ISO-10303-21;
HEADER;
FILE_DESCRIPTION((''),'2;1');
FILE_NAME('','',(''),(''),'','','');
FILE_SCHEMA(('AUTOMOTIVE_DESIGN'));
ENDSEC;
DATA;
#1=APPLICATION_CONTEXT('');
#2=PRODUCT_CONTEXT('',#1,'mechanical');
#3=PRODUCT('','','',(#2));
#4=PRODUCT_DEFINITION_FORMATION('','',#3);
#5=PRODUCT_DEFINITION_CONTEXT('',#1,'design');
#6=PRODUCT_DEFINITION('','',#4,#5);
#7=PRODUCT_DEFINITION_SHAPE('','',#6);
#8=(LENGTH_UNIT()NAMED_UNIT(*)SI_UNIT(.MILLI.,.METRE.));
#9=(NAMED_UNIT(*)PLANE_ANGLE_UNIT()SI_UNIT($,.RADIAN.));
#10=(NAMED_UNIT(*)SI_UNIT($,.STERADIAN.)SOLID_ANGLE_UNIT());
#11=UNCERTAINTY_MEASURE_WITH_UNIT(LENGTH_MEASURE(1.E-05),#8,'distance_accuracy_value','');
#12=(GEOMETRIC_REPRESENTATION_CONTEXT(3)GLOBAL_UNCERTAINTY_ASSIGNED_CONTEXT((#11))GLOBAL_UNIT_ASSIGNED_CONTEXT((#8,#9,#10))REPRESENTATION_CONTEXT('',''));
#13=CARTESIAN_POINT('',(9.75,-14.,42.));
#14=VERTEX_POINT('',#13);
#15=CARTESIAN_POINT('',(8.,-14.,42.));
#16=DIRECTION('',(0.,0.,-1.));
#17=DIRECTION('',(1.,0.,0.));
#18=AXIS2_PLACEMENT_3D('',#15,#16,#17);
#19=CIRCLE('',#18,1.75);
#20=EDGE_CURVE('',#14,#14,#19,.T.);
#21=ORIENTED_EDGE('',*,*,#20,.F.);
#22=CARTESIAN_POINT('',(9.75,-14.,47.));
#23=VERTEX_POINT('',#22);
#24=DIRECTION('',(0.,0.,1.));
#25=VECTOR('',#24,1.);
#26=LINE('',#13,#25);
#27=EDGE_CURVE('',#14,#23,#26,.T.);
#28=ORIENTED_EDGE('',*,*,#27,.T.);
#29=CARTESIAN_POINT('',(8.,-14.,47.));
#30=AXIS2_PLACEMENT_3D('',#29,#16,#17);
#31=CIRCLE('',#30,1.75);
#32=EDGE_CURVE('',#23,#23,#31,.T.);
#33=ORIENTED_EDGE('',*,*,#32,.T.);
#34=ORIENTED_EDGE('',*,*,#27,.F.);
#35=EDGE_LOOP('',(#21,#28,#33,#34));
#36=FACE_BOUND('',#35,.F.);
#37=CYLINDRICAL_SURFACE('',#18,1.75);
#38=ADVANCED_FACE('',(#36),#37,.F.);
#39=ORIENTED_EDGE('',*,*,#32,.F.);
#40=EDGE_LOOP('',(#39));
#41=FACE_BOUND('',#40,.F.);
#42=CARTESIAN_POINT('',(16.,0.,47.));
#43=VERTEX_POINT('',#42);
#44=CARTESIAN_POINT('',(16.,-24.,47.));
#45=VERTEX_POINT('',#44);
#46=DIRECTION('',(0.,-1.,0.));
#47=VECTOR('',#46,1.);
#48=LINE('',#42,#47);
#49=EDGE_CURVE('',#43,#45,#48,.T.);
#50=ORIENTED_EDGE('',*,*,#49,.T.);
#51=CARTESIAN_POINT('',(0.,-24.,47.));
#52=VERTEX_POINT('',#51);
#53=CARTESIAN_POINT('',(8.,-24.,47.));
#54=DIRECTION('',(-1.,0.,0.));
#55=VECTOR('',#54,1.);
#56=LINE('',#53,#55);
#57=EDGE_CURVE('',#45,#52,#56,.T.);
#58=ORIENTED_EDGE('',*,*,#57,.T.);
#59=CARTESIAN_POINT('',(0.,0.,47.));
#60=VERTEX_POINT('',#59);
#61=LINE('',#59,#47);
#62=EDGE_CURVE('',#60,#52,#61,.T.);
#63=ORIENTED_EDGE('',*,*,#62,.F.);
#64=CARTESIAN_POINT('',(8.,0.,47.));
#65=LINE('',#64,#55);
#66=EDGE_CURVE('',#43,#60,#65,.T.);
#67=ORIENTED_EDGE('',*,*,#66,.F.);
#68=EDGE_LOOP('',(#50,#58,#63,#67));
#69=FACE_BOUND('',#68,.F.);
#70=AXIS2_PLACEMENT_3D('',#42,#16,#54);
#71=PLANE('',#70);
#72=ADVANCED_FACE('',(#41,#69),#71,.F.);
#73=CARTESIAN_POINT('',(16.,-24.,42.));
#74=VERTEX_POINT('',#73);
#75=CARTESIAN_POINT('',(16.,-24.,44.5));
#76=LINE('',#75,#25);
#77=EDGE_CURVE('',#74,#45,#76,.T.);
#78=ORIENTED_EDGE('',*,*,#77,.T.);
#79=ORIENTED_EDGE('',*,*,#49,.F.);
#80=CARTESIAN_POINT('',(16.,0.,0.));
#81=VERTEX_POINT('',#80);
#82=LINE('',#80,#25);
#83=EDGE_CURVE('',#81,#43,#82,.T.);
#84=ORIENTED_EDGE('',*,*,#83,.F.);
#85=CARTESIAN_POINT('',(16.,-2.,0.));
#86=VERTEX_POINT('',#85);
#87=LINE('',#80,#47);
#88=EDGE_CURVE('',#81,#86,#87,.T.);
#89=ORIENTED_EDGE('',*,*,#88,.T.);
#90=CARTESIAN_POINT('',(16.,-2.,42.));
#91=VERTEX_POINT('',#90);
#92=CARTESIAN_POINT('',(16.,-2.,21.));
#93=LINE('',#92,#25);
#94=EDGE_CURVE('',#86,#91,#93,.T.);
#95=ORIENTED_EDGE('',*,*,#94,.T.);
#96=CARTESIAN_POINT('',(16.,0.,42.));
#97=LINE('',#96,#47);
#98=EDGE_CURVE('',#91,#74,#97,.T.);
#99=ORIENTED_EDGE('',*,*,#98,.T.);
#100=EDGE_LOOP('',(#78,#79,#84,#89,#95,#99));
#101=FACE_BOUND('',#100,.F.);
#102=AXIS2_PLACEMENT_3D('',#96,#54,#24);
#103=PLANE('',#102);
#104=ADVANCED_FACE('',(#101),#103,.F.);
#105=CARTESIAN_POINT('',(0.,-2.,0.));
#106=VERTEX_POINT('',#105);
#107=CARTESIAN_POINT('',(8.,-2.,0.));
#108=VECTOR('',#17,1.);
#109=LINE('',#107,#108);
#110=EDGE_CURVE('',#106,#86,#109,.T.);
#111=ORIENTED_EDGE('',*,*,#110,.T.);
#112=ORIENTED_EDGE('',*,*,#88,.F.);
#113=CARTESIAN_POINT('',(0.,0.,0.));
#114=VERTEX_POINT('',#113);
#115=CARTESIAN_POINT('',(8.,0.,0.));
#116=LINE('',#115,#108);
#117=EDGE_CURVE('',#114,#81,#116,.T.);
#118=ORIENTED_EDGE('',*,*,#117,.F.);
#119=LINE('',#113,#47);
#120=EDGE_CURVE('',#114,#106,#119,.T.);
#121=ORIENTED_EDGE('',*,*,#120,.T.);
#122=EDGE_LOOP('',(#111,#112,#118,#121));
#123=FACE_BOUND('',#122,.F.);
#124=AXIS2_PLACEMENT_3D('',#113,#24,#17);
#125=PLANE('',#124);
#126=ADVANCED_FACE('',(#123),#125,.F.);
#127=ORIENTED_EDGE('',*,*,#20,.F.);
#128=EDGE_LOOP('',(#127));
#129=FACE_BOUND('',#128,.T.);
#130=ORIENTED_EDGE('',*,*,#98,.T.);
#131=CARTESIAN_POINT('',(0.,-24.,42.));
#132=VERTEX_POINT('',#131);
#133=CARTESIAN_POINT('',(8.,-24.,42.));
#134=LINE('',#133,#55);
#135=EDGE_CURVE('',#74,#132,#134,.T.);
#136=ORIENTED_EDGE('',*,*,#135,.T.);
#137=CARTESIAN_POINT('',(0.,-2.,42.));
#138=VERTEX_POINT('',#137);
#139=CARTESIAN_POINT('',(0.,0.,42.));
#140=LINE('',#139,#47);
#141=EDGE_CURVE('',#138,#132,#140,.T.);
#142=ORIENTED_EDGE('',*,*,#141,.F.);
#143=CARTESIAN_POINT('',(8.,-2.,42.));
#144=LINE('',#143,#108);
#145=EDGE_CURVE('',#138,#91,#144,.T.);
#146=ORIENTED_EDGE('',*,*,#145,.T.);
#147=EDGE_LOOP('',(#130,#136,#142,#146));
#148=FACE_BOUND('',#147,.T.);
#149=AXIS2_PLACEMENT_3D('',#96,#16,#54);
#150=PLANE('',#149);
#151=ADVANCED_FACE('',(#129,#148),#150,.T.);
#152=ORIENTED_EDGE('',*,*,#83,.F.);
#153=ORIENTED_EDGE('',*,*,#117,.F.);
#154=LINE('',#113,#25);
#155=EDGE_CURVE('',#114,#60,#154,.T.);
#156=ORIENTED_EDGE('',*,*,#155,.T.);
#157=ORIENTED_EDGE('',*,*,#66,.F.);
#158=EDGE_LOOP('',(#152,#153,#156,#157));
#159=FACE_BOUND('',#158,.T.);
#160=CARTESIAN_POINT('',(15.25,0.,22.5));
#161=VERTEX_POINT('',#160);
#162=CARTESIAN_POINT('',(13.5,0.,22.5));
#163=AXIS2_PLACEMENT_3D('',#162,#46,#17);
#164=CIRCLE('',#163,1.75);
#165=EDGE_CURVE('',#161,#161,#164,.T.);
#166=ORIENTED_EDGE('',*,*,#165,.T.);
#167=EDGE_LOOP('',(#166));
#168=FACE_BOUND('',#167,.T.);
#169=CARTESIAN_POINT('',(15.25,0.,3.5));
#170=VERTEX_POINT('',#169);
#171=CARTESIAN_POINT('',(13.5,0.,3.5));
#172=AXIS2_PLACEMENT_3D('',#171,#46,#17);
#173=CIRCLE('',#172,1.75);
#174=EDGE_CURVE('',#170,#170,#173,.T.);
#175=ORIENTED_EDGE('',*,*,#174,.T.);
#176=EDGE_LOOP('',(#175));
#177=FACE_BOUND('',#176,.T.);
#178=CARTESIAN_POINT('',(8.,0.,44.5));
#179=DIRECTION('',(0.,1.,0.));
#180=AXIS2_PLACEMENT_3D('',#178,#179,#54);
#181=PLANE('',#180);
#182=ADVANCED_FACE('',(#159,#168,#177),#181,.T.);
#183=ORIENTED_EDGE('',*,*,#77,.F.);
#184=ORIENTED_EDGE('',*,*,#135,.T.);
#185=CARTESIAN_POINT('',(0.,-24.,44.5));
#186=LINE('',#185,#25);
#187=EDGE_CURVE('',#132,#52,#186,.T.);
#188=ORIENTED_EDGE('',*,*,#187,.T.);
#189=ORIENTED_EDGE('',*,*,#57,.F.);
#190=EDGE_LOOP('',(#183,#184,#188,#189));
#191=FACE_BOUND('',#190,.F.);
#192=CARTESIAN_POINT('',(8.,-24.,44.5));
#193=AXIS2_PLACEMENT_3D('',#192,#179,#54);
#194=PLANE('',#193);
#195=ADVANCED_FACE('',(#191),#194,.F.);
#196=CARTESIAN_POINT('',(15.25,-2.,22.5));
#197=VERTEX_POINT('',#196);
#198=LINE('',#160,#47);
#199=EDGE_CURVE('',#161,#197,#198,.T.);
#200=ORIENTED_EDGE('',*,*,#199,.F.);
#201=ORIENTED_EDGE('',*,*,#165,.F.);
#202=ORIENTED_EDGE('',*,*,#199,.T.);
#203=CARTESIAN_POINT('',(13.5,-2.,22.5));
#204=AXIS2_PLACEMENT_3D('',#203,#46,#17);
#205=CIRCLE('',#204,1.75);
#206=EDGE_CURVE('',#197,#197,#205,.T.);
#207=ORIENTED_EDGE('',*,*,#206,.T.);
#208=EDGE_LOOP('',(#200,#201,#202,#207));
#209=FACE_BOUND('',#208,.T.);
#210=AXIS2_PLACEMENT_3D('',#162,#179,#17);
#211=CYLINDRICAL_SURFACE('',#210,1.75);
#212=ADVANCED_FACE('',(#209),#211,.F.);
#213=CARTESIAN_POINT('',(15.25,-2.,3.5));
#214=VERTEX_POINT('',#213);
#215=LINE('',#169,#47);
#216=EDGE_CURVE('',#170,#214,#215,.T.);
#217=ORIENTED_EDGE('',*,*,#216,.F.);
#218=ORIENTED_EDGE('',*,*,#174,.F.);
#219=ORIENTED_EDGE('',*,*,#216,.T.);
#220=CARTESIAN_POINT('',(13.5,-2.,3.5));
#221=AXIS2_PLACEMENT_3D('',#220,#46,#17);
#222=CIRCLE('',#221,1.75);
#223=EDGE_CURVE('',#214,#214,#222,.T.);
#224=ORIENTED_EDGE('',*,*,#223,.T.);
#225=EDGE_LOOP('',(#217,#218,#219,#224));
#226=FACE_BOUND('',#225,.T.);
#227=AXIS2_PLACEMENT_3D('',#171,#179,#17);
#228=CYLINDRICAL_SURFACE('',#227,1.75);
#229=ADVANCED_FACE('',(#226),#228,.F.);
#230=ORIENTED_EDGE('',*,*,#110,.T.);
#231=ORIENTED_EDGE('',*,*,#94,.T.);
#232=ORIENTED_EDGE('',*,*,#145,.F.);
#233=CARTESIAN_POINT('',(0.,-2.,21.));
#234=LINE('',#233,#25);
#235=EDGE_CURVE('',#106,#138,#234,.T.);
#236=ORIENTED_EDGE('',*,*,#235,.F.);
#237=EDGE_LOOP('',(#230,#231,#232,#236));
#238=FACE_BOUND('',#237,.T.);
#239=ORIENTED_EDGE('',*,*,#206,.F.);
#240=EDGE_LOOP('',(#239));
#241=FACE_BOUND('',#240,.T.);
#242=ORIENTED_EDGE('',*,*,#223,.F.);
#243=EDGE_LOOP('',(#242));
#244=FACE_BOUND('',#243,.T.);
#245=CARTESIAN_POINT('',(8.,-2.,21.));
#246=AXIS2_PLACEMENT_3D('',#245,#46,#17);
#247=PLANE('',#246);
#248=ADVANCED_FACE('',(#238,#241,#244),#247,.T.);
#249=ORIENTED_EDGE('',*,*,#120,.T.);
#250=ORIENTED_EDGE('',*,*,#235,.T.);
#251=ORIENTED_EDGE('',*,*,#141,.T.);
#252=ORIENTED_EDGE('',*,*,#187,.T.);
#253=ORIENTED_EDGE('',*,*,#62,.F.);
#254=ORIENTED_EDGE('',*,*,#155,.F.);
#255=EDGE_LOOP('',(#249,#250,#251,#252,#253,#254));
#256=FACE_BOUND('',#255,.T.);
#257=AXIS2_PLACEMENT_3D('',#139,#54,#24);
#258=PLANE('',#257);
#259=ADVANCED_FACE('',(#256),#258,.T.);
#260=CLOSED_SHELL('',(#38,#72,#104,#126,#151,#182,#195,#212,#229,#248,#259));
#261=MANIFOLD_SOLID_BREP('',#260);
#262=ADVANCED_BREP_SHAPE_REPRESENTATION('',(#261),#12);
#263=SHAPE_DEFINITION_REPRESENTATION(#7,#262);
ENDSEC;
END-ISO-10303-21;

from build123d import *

# Parameters (mm, degrees)
F0_W     = 16
F0_H     = 42
F0_R     = 1.75
F1_DEPTH = 2
F2_W     = 16
F2_H     = 5
F3_DEPTH = 24
F4_R     = 1.75
F5_DEPTH = 5


with BuildPart() as f1:
    # F0 (on Front) → F1 (new body)
    with BuildSketch(Plane.XZ):
        with Locations((8, 21)):
            Rectangle(F0_W, F0_H)
        with Locations((13.5, 3.5)):
            Circle(F0_R, mode=Mode.SUBTRACT)
        with Locations((13.5, 22.5)):
            Circle(F0_R, mode=Mode.SUBTRACT)
    extrude(amount=F1_DEPTH)

    # F2 (on face) → F3 (join)
    with BuildSketch(Plane(origin=(0, 0, 0), x_dir=(-1, 0, 0), z_dir=(0, 1, 0))):
        with Locations((-8, 44.5)):
            Rectangle(F2_W, F2_H)
    extrude(amount=-F3_DEPTH)

    # F4 (on face) → F5 (cut, through all)
    with BuildSketch(Plane(origin=(0, 0, 42), x_dir=(1, 0, 0), z_dir=(0, 0, -1))):
        with Locations((8, 14)):
            Circle(F4_R)
    extrude(amount=-F5_DEPTH, mode=Mode.SUBTRACT)


solid = f1.part
